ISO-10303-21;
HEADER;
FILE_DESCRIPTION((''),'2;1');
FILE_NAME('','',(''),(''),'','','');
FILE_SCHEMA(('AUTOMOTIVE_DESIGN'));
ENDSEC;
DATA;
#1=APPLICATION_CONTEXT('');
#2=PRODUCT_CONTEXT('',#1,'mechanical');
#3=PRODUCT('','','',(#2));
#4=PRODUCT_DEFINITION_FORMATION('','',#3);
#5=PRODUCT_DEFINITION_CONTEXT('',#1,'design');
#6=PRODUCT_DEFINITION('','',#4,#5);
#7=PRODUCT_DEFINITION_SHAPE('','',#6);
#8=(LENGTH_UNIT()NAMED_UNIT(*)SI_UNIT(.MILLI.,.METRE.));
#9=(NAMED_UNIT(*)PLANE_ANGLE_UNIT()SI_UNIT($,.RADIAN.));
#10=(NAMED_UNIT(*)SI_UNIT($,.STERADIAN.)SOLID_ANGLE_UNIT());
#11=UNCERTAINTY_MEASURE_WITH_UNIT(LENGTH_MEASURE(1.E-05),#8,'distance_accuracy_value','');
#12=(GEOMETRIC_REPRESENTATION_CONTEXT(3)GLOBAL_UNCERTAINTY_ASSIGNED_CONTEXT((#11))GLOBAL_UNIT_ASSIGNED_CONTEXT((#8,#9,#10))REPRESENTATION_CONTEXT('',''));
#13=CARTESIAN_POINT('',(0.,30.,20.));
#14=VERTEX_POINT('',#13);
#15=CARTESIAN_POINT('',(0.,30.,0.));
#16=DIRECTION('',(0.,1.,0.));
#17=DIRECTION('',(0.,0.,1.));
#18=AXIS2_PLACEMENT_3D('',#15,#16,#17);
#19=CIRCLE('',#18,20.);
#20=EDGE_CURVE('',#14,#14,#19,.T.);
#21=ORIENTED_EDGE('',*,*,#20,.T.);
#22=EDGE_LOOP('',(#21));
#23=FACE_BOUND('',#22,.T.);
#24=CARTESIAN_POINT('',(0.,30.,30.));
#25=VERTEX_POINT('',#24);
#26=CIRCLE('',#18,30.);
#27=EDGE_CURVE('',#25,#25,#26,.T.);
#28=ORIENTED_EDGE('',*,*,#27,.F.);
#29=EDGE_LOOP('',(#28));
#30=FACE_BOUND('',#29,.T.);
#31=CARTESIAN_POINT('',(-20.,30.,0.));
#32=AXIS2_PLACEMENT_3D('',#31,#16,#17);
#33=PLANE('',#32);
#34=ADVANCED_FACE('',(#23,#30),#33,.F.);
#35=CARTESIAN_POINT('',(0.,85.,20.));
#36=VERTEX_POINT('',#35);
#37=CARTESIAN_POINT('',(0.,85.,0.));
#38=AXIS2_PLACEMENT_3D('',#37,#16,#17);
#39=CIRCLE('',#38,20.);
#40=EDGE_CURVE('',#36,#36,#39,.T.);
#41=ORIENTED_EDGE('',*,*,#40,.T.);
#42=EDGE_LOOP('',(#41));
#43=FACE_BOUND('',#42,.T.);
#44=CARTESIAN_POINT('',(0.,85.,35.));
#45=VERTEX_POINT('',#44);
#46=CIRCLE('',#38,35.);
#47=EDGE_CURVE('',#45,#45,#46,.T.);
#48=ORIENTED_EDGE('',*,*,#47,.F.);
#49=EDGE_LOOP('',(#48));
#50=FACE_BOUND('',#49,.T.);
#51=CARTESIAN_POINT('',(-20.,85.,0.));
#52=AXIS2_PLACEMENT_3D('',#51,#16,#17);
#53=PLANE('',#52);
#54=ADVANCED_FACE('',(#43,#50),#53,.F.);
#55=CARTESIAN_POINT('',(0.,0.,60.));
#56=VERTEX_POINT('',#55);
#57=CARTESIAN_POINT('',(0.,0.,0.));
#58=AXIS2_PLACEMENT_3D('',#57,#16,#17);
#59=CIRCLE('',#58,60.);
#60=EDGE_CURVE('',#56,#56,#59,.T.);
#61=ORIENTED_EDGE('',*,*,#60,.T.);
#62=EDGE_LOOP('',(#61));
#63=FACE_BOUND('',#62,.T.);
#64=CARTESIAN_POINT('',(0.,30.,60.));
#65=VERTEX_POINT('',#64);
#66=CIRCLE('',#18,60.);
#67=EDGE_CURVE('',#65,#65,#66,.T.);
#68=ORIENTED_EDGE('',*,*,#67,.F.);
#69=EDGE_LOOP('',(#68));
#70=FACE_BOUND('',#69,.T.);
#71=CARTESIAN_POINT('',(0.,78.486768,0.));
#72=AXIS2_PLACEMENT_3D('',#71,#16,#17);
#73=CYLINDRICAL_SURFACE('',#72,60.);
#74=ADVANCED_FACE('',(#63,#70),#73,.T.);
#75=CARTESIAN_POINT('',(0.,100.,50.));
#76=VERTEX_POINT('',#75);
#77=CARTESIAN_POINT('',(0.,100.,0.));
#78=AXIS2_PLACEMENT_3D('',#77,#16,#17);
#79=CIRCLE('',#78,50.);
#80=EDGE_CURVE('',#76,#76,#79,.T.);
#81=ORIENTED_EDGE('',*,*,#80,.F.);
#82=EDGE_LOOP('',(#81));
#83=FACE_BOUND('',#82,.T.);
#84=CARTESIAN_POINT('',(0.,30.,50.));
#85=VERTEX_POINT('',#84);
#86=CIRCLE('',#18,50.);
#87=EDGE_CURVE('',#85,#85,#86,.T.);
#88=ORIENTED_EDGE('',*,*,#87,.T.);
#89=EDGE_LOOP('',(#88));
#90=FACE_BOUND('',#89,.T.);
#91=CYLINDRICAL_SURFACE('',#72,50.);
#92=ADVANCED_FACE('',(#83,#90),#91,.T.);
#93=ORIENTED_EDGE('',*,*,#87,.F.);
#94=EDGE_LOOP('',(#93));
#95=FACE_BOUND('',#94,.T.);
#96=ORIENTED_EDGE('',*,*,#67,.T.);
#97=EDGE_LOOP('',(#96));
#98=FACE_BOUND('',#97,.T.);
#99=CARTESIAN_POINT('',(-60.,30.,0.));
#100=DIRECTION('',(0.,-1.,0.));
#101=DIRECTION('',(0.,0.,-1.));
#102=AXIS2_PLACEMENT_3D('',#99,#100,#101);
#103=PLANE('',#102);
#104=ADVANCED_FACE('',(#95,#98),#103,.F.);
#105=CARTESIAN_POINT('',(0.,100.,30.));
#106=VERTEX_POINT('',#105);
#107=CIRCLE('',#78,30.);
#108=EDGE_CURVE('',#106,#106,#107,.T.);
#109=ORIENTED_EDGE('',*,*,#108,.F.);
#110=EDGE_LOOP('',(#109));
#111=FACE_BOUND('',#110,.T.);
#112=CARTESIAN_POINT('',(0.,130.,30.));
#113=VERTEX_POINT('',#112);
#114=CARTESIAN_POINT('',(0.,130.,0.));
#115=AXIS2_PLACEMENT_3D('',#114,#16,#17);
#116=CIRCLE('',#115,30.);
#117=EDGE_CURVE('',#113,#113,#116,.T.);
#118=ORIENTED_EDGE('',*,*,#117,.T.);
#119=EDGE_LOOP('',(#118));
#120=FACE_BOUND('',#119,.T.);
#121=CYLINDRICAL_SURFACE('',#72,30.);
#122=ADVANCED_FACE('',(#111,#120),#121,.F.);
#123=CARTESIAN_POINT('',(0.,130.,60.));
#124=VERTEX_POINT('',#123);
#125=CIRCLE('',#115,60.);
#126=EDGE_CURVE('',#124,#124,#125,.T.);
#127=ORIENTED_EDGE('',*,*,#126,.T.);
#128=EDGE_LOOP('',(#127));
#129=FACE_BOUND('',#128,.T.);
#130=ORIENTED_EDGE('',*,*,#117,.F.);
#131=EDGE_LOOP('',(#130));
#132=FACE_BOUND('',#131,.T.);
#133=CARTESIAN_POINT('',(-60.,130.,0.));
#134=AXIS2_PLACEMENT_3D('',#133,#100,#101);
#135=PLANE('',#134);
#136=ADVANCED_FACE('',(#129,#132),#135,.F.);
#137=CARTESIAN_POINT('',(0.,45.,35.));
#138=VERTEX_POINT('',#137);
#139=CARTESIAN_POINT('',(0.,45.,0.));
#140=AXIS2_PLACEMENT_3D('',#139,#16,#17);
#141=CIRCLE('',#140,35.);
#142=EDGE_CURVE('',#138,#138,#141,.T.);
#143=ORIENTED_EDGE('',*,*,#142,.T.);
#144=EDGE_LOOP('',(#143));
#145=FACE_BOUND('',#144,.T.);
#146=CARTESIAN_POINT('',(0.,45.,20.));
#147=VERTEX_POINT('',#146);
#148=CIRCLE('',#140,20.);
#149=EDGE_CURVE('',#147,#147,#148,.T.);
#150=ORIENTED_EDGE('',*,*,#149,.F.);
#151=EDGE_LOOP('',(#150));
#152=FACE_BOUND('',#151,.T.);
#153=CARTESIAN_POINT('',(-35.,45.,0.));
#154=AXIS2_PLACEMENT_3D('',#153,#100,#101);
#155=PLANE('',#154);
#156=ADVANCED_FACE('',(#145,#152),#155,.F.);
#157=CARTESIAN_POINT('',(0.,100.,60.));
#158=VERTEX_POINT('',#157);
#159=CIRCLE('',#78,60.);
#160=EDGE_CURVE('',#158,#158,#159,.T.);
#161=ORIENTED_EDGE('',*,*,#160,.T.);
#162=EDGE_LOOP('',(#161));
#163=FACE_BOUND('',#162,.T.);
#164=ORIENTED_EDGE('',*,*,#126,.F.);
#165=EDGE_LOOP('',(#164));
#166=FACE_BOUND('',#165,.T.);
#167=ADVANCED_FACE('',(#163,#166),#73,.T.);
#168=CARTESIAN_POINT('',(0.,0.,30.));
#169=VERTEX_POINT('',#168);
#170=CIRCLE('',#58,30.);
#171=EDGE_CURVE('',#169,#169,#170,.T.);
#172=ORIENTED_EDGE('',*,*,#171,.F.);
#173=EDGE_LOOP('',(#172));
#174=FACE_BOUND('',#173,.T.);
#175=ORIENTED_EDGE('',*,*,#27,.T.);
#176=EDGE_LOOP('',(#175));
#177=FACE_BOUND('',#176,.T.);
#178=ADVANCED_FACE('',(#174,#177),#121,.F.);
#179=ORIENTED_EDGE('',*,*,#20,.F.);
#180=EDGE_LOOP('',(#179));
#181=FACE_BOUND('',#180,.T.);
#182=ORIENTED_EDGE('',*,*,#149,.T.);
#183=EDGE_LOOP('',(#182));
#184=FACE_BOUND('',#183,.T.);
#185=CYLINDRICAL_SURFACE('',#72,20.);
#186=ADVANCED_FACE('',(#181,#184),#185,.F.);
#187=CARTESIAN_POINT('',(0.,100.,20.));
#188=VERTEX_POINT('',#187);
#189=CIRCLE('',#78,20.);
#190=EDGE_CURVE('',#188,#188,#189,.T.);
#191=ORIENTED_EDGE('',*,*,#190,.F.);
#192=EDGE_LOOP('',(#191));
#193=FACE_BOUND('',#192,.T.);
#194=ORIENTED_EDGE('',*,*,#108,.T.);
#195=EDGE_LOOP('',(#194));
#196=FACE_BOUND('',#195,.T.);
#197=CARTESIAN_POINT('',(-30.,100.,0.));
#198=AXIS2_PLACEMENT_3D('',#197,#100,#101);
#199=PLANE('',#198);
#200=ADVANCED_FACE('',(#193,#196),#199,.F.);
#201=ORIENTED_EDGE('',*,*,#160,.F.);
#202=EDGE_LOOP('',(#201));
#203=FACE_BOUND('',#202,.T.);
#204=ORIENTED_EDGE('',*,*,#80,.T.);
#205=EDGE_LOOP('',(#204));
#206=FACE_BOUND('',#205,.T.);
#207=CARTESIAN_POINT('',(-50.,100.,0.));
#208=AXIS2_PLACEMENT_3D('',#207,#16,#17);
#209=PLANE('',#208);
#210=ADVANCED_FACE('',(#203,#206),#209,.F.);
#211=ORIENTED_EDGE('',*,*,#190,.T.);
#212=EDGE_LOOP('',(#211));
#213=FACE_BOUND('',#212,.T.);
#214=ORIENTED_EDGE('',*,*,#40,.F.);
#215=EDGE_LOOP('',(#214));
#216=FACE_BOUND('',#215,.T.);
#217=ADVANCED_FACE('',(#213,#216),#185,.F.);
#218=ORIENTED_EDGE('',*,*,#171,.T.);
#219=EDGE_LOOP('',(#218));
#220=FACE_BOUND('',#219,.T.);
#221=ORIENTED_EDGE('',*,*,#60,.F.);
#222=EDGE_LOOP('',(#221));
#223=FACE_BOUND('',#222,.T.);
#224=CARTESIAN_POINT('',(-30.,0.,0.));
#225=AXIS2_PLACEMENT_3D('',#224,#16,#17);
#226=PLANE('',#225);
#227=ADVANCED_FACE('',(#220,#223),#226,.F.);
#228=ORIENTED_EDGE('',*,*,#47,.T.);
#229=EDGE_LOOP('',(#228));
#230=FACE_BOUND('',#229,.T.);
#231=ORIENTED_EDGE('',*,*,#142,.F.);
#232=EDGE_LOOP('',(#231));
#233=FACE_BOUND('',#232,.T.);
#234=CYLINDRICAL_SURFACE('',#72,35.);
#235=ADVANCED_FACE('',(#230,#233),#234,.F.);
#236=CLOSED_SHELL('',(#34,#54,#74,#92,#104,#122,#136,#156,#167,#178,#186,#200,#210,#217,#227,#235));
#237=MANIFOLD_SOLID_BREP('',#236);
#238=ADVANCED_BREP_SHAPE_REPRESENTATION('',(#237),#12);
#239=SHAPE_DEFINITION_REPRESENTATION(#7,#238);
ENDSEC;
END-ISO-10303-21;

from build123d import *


with BuildPart() as part:
    # Sketch1 → Revolve4 (revolve)
    with BuildSketch(Plane.XY, mode=Mode.PRIVATE) as revolve4_sk:
        Polygon((-60, 130), (-30, 130), (-30, 100), (-20, 100), (-20, 85), (-35, 85), (-35, 45), (-20, 45), (-20, 30), (-30, 30), (-30, 0), (-60, 0), (-60, 30), (-50, 30), (-50, 100), (-60, 100), align=None)
    revolve(revolve4_sk.sketch.rotate(Axis((0, 78.486767827, 0), (0, -1, 0)), 270), axis=Axis((0, 78.486767827, 0), (0, -1, 0)))


solid = part.part
